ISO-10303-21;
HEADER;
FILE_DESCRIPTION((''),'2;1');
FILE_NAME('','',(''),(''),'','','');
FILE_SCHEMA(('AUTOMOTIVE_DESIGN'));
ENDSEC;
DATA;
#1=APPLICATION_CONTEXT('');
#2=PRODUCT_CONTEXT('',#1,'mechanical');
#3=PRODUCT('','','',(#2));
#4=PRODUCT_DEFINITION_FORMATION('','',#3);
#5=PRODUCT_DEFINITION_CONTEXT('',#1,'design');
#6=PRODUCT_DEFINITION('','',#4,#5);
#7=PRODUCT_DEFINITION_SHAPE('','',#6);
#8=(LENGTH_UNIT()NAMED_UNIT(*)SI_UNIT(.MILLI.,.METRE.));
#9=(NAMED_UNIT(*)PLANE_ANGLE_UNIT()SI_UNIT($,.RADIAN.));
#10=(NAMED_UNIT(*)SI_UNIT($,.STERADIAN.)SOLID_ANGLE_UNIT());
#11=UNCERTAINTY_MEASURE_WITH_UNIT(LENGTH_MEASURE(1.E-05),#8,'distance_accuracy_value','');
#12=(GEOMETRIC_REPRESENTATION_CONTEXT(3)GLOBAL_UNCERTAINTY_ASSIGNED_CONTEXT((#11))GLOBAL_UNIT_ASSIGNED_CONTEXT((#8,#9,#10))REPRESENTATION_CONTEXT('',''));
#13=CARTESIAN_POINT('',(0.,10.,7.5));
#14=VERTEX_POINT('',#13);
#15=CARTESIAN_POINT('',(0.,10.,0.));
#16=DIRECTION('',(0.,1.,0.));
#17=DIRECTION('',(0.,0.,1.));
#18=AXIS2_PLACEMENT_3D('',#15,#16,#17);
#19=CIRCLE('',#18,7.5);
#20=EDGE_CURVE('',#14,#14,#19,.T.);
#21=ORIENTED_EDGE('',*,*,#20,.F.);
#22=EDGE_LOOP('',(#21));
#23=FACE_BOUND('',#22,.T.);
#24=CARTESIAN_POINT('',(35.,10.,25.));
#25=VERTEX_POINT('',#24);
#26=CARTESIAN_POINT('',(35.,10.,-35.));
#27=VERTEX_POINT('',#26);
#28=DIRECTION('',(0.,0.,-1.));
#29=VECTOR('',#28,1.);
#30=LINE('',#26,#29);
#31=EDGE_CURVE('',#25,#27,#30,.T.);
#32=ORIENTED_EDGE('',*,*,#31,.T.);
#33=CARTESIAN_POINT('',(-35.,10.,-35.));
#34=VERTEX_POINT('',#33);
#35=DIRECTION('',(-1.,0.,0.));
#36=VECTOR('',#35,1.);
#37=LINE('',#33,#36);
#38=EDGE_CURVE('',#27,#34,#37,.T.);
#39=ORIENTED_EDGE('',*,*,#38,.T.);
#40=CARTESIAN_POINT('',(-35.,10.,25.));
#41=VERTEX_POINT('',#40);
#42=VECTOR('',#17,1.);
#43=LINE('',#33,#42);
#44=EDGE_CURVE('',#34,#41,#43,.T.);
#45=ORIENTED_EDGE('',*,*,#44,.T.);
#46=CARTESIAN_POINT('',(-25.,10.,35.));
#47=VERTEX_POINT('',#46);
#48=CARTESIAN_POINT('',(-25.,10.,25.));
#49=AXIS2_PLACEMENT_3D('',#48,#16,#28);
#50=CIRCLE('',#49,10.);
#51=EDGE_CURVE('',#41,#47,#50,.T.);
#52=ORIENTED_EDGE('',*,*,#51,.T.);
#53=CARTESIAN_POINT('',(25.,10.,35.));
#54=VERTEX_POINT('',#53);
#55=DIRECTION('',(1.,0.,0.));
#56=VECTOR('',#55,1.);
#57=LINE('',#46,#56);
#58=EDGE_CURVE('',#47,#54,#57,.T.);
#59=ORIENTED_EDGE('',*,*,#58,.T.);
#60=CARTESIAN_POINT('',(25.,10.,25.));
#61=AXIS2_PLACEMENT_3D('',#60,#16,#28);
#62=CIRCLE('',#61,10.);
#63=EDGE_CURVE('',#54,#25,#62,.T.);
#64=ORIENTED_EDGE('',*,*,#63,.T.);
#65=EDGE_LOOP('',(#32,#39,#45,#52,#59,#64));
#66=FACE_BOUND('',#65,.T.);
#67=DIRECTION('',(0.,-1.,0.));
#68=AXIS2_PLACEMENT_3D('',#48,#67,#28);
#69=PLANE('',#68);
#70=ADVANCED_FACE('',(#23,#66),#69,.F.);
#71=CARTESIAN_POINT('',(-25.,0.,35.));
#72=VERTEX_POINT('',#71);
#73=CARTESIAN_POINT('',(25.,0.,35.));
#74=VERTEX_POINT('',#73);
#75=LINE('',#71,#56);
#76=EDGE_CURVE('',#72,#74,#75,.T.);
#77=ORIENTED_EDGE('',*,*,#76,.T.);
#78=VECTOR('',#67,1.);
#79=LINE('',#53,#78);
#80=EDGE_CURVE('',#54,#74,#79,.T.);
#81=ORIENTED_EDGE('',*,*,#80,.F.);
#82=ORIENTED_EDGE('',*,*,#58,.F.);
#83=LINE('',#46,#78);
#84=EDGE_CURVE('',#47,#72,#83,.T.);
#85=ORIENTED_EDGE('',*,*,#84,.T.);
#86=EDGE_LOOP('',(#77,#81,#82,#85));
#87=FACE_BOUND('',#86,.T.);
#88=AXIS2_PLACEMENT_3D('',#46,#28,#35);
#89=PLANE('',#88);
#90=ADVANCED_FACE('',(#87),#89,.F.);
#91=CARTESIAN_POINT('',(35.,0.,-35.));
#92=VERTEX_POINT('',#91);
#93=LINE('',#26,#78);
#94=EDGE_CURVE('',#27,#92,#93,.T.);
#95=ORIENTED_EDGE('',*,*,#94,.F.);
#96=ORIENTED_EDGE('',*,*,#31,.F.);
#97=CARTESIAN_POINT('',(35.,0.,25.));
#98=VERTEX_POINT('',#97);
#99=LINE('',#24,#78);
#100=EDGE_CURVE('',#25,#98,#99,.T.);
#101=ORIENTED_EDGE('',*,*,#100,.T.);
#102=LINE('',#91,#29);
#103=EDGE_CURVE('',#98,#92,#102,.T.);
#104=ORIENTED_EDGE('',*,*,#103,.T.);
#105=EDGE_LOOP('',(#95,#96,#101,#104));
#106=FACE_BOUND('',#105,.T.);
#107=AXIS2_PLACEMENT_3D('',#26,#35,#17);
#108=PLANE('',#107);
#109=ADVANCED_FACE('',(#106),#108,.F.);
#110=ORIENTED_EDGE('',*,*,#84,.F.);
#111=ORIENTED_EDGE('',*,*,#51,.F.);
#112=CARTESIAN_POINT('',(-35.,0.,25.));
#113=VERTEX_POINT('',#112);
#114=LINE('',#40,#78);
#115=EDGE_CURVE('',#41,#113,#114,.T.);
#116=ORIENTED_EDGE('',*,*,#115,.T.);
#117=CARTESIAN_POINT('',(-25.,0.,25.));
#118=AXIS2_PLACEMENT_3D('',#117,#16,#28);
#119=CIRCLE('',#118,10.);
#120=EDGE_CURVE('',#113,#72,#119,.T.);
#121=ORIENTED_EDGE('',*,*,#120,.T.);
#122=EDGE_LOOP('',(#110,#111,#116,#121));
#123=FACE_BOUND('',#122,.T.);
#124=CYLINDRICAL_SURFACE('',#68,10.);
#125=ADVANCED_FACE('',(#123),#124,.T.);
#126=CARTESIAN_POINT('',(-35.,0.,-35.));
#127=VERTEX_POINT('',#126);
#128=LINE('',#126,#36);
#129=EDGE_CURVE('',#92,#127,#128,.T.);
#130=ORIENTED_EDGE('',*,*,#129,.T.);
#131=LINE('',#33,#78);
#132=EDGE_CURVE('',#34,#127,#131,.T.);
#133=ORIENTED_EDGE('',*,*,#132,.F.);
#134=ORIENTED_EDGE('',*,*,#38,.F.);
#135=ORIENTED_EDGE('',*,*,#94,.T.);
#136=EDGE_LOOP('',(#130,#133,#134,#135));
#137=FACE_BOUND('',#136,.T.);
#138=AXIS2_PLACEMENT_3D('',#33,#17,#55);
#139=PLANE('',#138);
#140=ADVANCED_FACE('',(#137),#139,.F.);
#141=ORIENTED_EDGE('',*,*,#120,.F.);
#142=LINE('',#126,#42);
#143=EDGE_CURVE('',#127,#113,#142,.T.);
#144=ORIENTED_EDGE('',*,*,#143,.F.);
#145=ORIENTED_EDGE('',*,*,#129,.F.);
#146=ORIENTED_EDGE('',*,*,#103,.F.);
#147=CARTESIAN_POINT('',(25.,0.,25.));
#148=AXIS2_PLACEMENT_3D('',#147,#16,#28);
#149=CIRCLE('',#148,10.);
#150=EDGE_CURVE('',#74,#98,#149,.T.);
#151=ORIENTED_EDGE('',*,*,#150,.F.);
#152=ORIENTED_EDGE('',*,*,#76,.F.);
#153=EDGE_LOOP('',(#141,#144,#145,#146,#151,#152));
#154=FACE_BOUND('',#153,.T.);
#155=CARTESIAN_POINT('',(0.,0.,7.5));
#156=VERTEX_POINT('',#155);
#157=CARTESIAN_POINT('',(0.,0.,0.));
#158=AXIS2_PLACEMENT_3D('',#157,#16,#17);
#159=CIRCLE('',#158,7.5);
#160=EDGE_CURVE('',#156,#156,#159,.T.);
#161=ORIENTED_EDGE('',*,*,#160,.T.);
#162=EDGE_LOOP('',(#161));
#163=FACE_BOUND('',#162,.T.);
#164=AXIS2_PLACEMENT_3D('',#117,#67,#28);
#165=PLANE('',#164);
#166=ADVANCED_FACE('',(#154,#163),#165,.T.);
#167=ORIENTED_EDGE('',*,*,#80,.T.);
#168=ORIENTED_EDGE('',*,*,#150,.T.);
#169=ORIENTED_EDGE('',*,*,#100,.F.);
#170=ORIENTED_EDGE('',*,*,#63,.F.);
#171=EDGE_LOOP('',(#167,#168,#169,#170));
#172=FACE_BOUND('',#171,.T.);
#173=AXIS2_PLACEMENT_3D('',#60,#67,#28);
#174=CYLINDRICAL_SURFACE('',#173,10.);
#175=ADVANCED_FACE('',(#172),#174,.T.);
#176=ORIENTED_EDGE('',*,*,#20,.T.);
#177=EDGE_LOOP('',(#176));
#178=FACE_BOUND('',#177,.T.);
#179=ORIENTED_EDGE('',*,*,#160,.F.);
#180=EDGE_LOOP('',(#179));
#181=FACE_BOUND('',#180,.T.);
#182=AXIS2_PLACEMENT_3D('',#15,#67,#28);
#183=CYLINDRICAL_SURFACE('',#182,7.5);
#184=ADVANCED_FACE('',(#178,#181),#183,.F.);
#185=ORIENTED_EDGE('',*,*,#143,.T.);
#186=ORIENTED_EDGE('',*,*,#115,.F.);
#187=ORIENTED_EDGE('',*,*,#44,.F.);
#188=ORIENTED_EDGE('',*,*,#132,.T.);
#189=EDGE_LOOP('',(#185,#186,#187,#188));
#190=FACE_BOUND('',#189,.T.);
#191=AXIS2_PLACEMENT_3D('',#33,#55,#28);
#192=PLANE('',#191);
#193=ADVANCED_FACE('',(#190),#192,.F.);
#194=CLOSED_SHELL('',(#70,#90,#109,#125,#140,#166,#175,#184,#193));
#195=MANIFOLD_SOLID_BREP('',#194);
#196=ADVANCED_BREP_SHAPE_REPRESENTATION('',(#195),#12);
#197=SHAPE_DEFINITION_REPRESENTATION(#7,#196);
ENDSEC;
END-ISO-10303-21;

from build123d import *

# Parameters (mm, degrees)
CROQUIS1_R              = 7.5
SALIENTE_EXTRUIR1_DEPTH = 10


with BuildPart() as part:
    # Croquis1 → Saliente-Extruir1 (new body)
    with BuildSketch(Plane(origin=(0, 0, 0), x_dir=(1, 0, 0), z_dir=(0, 1, 0))):
        with BuildLine():
            Line((-35, 35), (35, 35))
            Line((35, 35), (35, -25))
            ThreePointArc((35, -25), (32.071067812, -32.071067812), (25, -35))
            Line((25, -35), (-25, -35))
            ThreePointArc((-25, -35), (-32.071067812, -32.071067812), (-35, -25))
            Line((-35, -25), (-35, 35))
        make_face()
        Circle(CROQUIS1_R, mode=Mode.SUBTRACT)
    extrude(amount=SALIENTE_EXTRUIR1_DEPTH)


solid = part.part
